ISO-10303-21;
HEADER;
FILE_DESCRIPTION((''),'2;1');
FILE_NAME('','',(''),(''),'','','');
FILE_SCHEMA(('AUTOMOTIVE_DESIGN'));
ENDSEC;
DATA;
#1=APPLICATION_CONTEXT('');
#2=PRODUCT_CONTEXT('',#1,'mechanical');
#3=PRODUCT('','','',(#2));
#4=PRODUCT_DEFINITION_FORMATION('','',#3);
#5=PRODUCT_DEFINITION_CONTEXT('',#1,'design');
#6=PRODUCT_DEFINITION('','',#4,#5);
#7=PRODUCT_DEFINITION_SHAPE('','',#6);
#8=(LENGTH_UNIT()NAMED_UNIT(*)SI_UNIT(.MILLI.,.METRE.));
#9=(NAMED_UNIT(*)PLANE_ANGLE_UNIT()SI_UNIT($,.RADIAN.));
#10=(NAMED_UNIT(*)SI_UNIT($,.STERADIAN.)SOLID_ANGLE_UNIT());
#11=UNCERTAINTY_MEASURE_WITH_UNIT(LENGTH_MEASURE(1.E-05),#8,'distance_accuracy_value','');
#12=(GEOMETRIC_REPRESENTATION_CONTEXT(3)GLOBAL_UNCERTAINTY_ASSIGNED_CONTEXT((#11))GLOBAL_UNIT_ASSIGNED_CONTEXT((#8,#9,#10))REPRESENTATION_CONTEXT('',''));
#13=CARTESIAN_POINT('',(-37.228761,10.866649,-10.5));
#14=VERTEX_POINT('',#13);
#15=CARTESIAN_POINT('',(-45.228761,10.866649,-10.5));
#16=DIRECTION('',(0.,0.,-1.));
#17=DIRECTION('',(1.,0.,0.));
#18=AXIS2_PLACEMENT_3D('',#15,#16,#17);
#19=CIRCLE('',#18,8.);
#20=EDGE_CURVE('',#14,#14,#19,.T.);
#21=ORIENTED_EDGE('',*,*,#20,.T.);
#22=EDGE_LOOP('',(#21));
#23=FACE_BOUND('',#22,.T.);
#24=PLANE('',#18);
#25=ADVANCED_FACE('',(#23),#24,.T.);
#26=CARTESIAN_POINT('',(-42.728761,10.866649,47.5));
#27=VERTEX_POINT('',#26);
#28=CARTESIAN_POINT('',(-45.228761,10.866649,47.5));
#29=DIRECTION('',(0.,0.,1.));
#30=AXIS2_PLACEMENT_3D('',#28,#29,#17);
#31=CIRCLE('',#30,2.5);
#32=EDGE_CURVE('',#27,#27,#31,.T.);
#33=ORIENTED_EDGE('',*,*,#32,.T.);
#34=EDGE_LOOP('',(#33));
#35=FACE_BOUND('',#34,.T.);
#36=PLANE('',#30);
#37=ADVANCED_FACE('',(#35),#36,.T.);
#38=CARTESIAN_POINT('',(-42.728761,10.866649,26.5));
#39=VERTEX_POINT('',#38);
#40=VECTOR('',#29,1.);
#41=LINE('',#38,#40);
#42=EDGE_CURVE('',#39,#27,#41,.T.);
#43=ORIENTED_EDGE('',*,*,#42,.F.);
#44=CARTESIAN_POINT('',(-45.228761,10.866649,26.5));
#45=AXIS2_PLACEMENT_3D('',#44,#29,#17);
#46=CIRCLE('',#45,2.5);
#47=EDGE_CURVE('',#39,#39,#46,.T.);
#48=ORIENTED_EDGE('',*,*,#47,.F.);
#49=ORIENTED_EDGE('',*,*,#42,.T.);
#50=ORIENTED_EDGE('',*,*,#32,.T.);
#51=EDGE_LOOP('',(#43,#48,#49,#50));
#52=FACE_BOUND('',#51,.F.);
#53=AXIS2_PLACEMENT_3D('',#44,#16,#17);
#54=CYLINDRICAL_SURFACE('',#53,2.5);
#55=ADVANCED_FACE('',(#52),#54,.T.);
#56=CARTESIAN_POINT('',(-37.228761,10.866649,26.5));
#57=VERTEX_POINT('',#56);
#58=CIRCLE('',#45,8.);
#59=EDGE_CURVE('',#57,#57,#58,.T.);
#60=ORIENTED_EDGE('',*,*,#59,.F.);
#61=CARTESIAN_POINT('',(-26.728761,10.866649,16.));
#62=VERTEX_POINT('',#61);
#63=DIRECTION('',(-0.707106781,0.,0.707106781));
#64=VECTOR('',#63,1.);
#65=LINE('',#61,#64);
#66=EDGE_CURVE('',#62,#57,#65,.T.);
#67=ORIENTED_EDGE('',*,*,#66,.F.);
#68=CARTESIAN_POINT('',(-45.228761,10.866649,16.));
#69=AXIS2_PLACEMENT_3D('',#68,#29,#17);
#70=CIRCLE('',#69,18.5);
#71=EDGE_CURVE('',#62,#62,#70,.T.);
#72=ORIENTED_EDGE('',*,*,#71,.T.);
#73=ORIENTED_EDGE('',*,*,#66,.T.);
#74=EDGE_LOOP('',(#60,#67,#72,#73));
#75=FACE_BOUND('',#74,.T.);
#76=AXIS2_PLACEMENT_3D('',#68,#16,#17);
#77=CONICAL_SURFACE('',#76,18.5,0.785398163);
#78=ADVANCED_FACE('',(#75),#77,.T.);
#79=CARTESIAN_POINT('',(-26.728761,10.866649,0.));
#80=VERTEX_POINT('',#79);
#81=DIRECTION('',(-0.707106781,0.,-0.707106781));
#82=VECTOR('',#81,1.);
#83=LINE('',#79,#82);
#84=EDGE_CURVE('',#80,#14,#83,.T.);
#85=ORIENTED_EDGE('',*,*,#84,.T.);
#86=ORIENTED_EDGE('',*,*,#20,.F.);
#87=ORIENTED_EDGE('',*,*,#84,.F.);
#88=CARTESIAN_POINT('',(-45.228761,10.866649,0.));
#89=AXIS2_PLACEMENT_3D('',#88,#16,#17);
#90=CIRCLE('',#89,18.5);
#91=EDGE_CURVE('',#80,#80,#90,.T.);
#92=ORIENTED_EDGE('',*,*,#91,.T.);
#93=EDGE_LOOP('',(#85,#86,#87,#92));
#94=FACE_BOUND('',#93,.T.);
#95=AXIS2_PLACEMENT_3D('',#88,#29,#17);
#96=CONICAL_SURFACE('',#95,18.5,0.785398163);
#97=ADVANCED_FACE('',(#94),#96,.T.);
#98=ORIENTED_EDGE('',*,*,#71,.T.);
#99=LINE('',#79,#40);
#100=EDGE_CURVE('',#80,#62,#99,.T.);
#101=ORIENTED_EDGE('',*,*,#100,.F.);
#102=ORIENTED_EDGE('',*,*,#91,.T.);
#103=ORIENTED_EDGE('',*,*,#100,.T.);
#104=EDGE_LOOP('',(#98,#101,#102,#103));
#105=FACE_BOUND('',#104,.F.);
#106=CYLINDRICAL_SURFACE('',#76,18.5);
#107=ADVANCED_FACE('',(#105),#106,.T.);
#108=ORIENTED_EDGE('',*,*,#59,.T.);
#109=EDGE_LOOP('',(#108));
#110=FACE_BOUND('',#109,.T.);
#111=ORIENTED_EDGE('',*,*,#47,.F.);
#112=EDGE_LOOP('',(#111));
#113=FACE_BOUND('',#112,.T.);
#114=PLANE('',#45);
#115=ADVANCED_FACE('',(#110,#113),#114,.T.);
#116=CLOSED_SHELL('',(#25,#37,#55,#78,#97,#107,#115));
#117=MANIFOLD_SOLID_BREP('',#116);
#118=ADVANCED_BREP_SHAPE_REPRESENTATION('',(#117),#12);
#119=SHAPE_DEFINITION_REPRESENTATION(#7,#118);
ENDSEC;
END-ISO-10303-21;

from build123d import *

# Parameters (mm, degrees)
F0_R     = 18.5
F1_DEPTH = 16
F2_R     = 18.5
F3_DEPTH = 10.5
F4_SIZE2 = 10.5
F4_SIZE  = 10.5
F5_R     = 18.5
F6_DEPTH = 10.5
F7_SIZE2 = 10.5
F7_SIZE  = 10.5
F8_R     = 2.5
F9_DEPTH = 21


with BuildPart() as f1:
    # F0 (on Top) → F1 (new body)
    with BuildSketch(Plane.XY):
        with Locations((-45.2287606895, 10.8666494489)):
            Circle(F0_R)
    extrude(amount=F1_DEPTH)

    # F2 (on face) → F3 (join)
    with BuildSketch(Plane(origin=(0, 0, 0), x_dir=(1, 0, 0), z_dir=(0, 0, -1))):
        with Locations((-45.2287606895, -10.8666494489)):
            Circle(F2_R)
    extrude(amount=F3_DEPTH)

    # F4
    f4_edges = [f1.edges().sort_by_distance(p)[0] for p in [
        (-63.728761, 10.866649, -10.5),
    ]]
    chamfer(f4_edges, length=F4_SIZE, length2=F4_SIZE2)

    # F5 (on face) → F6 (join)
    with BuildSketch(Plane.XY.offset(16)):
        with Locations((-45.2287606895, 10.8666494489)):
            Circle(F5_R)
    extrude(amount=F6_DEPTH)

    # F7
    f7_edges = [f1.edges().sort_by_distance(p)[0] for p in [
        (-63.728761, 10.866649, 26.5),
    ]]
    chamfer(f7_edges, length=F7_SIZE, length2=F7_SIZE2)

    # F8 (on face) → F9 (join)
    with BuildSketch(Plane.XY.offset(26.5)):
        with Locations((-45.2287606895, 10.8666494489)):
            Circle(F8_R)
    extrude(amount=F9_DEPTH)


solid = f1.part
